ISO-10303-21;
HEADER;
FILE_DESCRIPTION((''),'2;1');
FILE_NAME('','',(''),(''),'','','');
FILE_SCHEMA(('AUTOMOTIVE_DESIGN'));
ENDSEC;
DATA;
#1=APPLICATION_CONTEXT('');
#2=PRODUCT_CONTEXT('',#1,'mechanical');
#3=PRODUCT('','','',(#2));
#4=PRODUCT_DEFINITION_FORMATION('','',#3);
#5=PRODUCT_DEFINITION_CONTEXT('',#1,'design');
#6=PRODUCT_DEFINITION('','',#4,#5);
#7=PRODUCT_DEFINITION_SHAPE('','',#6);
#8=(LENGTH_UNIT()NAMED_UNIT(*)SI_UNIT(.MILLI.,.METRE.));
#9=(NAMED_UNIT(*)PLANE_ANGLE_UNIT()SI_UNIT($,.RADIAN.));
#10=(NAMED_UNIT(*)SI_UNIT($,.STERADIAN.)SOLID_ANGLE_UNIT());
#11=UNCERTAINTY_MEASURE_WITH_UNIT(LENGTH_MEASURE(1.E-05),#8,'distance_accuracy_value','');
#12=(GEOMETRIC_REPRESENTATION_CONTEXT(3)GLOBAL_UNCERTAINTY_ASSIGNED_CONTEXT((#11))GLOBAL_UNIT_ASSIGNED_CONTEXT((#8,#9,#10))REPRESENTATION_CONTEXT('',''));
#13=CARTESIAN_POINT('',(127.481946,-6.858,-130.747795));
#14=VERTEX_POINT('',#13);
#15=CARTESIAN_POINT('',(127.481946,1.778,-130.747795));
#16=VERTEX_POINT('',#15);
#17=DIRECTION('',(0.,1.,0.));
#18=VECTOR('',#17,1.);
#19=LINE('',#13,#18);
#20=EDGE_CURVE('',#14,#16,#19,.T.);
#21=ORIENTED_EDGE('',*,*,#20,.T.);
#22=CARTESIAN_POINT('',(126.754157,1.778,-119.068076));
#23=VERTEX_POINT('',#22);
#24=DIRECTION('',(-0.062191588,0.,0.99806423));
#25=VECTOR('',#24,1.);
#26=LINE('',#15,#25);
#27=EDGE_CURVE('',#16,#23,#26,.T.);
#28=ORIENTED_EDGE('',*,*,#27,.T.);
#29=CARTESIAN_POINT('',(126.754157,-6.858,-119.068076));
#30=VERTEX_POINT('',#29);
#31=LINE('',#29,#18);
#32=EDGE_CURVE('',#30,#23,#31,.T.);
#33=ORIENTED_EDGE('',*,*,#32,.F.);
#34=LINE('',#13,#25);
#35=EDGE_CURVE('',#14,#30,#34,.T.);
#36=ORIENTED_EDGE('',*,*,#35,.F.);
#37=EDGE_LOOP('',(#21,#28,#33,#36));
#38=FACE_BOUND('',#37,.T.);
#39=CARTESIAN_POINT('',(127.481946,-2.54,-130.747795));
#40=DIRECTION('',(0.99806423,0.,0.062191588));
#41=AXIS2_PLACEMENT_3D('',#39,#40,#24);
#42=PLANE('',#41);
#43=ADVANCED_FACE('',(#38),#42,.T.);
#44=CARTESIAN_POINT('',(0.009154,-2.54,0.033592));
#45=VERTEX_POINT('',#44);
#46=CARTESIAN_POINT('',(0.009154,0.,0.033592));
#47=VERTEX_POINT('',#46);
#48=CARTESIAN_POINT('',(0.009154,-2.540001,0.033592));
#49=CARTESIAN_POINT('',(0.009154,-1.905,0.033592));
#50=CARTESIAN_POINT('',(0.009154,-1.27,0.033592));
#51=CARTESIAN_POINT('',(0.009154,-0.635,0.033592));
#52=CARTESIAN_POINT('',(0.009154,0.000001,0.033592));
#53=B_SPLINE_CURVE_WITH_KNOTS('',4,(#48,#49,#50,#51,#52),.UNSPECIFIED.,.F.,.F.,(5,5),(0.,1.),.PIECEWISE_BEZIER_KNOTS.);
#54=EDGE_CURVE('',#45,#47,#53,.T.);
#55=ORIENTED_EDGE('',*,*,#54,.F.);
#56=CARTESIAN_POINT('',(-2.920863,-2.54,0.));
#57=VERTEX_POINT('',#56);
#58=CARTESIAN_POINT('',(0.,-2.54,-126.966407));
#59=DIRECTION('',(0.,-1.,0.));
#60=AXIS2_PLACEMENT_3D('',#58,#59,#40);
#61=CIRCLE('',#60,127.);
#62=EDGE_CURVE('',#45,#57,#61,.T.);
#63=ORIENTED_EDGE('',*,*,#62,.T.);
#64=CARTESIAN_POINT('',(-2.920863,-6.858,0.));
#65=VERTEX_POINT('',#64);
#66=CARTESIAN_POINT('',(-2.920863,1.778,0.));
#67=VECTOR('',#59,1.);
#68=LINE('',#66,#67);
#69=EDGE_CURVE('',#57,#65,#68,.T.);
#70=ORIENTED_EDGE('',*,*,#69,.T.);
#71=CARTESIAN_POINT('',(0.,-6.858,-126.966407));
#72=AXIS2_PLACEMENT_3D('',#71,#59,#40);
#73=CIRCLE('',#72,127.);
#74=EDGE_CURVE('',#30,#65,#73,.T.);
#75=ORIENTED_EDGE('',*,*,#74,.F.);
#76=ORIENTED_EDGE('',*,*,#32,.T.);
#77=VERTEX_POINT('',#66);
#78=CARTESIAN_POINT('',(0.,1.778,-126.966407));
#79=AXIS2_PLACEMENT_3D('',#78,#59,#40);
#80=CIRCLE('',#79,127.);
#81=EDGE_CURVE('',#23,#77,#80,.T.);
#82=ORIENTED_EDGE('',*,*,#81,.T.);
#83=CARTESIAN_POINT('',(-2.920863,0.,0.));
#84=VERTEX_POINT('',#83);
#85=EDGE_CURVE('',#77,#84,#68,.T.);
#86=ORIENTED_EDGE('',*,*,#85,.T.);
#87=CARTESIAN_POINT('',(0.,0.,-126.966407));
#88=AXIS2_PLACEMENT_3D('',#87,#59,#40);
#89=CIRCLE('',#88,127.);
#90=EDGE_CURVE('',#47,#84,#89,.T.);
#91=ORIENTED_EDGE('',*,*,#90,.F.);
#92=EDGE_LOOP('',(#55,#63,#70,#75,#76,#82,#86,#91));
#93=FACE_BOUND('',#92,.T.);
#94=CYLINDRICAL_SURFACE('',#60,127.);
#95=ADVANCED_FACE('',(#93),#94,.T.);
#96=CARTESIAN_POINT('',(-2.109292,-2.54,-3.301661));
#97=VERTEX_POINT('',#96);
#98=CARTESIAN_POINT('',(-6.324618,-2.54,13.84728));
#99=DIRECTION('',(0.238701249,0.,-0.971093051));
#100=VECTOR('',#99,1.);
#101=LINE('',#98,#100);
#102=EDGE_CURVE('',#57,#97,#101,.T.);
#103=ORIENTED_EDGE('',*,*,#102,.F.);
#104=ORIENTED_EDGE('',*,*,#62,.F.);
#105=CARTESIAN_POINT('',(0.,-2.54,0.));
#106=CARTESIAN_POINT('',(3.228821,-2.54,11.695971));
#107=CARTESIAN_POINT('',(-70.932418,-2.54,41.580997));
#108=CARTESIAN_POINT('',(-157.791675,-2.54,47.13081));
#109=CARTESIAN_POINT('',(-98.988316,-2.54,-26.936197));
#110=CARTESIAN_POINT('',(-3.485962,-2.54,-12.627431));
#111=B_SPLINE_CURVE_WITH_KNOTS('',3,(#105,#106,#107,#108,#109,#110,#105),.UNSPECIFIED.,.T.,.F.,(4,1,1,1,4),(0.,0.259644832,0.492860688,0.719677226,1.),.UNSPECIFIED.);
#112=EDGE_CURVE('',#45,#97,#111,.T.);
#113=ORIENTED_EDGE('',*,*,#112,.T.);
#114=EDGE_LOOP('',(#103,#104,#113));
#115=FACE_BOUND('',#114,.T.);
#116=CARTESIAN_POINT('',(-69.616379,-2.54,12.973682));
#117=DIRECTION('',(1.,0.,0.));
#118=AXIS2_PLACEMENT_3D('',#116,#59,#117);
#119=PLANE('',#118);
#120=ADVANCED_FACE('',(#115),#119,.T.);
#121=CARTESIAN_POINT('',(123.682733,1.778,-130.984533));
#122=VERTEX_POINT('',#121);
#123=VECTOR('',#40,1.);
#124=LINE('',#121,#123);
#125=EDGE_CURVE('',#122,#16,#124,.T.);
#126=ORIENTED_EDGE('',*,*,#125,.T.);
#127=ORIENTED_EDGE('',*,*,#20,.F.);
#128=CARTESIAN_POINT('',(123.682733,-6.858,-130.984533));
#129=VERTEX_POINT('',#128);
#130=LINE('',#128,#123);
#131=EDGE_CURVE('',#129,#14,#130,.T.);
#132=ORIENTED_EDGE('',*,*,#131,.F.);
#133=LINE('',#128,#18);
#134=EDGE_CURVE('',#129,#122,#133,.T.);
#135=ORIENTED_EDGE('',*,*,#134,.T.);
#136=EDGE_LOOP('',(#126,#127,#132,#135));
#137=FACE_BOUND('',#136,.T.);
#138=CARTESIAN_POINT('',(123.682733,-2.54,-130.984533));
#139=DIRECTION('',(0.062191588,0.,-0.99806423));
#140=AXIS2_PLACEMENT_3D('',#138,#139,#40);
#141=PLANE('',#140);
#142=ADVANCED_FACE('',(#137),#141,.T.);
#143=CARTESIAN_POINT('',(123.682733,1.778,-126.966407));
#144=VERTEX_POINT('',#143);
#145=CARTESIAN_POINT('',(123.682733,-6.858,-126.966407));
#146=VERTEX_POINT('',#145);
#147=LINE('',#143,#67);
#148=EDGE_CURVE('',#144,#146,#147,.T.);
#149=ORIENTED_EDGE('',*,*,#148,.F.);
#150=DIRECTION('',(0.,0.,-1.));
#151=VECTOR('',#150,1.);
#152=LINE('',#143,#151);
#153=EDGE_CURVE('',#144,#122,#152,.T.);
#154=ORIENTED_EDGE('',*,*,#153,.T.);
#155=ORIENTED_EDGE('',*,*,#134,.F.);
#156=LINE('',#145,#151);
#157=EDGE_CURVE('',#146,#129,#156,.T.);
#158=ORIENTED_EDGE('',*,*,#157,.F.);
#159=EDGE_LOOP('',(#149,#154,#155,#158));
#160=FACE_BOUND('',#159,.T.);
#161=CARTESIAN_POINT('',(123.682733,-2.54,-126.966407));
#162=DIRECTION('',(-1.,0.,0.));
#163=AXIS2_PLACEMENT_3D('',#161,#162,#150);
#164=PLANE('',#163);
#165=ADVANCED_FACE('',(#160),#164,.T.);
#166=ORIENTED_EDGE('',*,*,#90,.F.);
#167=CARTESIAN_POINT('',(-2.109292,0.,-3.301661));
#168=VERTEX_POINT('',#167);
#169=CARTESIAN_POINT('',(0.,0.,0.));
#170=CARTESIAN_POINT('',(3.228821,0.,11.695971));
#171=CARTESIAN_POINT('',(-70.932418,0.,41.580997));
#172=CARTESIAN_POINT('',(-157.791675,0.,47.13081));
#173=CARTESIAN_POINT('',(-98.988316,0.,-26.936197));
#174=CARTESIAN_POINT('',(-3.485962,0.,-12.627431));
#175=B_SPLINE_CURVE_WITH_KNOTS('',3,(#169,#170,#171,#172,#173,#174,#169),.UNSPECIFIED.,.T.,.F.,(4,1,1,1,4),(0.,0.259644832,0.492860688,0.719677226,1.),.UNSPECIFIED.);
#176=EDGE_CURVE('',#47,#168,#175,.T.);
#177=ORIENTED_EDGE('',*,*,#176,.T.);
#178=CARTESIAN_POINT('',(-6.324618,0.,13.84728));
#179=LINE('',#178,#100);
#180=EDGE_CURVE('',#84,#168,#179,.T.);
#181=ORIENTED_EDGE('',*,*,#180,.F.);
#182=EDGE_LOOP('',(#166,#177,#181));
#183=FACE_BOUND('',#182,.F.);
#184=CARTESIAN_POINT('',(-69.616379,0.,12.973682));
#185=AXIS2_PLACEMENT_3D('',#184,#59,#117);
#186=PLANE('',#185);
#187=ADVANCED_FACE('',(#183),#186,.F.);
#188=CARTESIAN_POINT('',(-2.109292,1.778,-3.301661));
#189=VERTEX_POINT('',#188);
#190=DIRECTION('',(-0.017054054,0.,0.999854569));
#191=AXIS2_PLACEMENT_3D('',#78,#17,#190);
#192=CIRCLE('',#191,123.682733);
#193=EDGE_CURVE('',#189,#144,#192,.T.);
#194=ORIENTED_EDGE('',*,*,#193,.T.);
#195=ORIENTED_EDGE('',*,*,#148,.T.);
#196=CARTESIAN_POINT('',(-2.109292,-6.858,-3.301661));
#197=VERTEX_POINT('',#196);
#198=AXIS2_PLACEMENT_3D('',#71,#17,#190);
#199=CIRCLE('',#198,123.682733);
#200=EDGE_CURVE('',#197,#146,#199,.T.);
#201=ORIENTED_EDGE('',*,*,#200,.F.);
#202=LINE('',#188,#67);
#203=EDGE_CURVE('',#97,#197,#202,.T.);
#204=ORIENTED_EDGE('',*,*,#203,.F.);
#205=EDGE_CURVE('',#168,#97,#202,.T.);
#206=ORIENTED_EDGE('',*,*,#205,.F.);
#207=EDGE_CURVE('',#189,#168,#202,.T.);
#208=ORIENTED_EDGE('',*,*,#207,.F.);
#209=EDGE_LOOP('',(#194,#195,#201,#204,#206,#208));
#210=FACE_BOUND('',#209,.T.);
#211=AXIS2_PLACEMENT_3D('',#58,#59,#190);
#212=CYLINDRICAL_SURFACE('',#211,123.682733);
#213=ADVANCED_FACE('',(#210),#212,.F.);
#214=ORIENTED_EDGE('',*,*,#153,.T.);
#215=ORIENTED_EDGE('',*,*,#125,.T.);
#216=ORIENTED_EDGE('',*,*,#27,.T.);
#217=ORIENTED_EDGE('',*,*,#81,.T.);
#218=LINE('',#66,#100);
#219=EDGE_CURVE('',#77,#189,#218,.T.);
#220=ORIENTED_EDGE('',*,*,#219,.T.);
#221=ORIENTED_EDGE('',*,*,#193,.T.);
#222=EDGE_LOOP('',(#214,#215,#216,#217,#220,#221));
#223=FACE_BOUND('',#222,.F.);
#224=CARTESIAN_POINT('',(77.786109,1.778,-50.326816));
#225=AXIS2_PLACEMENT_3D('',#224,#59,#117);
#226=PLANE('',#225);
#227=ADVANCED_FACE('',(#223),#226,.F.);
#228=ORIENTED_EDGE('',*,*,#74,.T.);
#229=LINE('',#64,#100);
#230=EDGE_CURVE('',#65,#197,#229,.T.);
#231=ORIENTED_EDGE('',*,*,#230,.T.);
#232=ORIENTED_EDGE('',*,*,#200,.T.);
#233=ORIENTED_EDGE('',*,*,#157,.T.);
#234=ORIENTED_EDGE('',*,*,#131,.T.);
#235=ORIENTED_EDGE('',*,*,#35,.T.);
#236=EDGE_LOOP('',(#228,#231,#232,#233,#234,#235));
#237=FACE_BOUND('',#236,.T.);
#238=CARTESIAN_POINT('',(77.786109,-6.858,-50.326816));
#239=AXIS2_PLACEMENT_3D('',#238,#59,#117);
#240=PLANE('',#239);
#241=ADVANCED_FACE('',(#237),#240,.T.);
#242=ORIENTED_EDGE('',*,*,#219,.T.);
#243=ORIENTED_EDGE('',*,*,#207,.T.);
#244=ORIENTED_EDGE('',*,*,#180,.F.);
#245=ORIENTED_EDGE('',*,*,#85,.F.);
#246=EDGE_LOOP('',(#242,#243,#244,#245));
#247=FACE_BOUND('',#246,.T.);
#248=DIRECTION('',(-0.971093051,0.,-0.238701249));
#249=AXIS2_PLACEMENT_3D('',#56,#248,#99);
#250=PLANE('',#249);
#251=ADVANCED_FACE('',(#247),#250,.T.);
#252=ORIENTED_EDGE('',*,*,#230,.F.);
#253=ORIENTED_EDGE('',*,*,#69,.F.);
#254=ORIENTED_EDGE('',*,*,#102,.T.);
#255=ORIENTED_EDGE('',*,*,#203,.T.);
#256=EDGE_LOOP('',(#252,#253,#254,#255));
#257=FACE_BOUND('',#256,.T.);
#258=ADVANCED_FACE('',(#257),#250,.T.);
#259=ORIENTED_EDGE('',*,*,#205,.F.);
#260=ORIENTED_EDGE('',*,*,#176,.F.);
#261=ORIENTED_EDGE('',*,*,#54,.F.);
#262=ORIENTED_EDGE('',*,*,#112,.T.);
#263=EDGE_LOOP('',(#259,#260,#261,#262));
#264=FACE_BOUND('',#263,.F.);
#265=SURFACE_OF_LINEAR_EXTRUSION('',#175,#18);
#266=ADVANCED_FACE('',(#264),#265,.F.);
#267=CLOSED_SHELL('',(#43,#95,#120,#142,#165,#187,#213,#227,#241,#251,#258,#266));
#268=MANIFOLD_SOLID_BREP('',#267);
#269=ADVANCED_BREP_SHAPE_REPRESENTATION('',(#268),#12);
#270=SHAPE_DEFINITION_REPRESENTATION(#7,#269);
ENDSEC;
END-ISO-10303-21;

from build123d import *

# Parameters (mm, degrees)
F1_DEPTH = 2.54
F3_DEPTH = 4.318


with BuildPart() as f1:
    # F0 (on Front) → F1 (new body)
    with BuildSketch(Plane.XZ):
        with BuildLine():
            add(Edge.make_bspline(
                [(0, 0), (3.2288205225, 11.6959711466), (-70.9324180406, 41.5809971794), (-157.7916749632, 47.1308104661), (-98.9883162493, -26.9361971593), (-3.4859616414, -12.6274305097), (0, 0)],
                knots=[0, 0, 0, 0, 0.2596448322, 0.4928606883, 0.7196772261, 1, 1, 1, 1], degree=3))
        make_face()
    extrude(amount=F1_DEPTH)

    # F2 (on face) → F3 (join, symmetric)
    with BuildSketch(Plane.XZ.offset(2.54)):
        with BuildLine():
            ThreePointArc((126.7541571575, -119.0680755359), (85.8951270662, -33.4194823778), (-2.9208627529, 0))
            Line((-2.9208627529, 0), (-2.109292065, -3.3016612133))
            ThreePointArc((-2.109292065, -3.3016612133), (86.7079451621, -38.7669130987), (123.6827332993, -126.9664072138))
            Line((123.6827332993, -126.9664072138), (123.6827332993, -130.9845326543))
            Line((123.6827332993, -130.9845326543), (127.4819463096, -130.7477952948))
            Line((127.4819463096, -130.7477952948), (126.7541571575, -119.0680755359))
        make_face()
    extrude(amount=F3_DEPTH, both=True)


solid = f1.part
